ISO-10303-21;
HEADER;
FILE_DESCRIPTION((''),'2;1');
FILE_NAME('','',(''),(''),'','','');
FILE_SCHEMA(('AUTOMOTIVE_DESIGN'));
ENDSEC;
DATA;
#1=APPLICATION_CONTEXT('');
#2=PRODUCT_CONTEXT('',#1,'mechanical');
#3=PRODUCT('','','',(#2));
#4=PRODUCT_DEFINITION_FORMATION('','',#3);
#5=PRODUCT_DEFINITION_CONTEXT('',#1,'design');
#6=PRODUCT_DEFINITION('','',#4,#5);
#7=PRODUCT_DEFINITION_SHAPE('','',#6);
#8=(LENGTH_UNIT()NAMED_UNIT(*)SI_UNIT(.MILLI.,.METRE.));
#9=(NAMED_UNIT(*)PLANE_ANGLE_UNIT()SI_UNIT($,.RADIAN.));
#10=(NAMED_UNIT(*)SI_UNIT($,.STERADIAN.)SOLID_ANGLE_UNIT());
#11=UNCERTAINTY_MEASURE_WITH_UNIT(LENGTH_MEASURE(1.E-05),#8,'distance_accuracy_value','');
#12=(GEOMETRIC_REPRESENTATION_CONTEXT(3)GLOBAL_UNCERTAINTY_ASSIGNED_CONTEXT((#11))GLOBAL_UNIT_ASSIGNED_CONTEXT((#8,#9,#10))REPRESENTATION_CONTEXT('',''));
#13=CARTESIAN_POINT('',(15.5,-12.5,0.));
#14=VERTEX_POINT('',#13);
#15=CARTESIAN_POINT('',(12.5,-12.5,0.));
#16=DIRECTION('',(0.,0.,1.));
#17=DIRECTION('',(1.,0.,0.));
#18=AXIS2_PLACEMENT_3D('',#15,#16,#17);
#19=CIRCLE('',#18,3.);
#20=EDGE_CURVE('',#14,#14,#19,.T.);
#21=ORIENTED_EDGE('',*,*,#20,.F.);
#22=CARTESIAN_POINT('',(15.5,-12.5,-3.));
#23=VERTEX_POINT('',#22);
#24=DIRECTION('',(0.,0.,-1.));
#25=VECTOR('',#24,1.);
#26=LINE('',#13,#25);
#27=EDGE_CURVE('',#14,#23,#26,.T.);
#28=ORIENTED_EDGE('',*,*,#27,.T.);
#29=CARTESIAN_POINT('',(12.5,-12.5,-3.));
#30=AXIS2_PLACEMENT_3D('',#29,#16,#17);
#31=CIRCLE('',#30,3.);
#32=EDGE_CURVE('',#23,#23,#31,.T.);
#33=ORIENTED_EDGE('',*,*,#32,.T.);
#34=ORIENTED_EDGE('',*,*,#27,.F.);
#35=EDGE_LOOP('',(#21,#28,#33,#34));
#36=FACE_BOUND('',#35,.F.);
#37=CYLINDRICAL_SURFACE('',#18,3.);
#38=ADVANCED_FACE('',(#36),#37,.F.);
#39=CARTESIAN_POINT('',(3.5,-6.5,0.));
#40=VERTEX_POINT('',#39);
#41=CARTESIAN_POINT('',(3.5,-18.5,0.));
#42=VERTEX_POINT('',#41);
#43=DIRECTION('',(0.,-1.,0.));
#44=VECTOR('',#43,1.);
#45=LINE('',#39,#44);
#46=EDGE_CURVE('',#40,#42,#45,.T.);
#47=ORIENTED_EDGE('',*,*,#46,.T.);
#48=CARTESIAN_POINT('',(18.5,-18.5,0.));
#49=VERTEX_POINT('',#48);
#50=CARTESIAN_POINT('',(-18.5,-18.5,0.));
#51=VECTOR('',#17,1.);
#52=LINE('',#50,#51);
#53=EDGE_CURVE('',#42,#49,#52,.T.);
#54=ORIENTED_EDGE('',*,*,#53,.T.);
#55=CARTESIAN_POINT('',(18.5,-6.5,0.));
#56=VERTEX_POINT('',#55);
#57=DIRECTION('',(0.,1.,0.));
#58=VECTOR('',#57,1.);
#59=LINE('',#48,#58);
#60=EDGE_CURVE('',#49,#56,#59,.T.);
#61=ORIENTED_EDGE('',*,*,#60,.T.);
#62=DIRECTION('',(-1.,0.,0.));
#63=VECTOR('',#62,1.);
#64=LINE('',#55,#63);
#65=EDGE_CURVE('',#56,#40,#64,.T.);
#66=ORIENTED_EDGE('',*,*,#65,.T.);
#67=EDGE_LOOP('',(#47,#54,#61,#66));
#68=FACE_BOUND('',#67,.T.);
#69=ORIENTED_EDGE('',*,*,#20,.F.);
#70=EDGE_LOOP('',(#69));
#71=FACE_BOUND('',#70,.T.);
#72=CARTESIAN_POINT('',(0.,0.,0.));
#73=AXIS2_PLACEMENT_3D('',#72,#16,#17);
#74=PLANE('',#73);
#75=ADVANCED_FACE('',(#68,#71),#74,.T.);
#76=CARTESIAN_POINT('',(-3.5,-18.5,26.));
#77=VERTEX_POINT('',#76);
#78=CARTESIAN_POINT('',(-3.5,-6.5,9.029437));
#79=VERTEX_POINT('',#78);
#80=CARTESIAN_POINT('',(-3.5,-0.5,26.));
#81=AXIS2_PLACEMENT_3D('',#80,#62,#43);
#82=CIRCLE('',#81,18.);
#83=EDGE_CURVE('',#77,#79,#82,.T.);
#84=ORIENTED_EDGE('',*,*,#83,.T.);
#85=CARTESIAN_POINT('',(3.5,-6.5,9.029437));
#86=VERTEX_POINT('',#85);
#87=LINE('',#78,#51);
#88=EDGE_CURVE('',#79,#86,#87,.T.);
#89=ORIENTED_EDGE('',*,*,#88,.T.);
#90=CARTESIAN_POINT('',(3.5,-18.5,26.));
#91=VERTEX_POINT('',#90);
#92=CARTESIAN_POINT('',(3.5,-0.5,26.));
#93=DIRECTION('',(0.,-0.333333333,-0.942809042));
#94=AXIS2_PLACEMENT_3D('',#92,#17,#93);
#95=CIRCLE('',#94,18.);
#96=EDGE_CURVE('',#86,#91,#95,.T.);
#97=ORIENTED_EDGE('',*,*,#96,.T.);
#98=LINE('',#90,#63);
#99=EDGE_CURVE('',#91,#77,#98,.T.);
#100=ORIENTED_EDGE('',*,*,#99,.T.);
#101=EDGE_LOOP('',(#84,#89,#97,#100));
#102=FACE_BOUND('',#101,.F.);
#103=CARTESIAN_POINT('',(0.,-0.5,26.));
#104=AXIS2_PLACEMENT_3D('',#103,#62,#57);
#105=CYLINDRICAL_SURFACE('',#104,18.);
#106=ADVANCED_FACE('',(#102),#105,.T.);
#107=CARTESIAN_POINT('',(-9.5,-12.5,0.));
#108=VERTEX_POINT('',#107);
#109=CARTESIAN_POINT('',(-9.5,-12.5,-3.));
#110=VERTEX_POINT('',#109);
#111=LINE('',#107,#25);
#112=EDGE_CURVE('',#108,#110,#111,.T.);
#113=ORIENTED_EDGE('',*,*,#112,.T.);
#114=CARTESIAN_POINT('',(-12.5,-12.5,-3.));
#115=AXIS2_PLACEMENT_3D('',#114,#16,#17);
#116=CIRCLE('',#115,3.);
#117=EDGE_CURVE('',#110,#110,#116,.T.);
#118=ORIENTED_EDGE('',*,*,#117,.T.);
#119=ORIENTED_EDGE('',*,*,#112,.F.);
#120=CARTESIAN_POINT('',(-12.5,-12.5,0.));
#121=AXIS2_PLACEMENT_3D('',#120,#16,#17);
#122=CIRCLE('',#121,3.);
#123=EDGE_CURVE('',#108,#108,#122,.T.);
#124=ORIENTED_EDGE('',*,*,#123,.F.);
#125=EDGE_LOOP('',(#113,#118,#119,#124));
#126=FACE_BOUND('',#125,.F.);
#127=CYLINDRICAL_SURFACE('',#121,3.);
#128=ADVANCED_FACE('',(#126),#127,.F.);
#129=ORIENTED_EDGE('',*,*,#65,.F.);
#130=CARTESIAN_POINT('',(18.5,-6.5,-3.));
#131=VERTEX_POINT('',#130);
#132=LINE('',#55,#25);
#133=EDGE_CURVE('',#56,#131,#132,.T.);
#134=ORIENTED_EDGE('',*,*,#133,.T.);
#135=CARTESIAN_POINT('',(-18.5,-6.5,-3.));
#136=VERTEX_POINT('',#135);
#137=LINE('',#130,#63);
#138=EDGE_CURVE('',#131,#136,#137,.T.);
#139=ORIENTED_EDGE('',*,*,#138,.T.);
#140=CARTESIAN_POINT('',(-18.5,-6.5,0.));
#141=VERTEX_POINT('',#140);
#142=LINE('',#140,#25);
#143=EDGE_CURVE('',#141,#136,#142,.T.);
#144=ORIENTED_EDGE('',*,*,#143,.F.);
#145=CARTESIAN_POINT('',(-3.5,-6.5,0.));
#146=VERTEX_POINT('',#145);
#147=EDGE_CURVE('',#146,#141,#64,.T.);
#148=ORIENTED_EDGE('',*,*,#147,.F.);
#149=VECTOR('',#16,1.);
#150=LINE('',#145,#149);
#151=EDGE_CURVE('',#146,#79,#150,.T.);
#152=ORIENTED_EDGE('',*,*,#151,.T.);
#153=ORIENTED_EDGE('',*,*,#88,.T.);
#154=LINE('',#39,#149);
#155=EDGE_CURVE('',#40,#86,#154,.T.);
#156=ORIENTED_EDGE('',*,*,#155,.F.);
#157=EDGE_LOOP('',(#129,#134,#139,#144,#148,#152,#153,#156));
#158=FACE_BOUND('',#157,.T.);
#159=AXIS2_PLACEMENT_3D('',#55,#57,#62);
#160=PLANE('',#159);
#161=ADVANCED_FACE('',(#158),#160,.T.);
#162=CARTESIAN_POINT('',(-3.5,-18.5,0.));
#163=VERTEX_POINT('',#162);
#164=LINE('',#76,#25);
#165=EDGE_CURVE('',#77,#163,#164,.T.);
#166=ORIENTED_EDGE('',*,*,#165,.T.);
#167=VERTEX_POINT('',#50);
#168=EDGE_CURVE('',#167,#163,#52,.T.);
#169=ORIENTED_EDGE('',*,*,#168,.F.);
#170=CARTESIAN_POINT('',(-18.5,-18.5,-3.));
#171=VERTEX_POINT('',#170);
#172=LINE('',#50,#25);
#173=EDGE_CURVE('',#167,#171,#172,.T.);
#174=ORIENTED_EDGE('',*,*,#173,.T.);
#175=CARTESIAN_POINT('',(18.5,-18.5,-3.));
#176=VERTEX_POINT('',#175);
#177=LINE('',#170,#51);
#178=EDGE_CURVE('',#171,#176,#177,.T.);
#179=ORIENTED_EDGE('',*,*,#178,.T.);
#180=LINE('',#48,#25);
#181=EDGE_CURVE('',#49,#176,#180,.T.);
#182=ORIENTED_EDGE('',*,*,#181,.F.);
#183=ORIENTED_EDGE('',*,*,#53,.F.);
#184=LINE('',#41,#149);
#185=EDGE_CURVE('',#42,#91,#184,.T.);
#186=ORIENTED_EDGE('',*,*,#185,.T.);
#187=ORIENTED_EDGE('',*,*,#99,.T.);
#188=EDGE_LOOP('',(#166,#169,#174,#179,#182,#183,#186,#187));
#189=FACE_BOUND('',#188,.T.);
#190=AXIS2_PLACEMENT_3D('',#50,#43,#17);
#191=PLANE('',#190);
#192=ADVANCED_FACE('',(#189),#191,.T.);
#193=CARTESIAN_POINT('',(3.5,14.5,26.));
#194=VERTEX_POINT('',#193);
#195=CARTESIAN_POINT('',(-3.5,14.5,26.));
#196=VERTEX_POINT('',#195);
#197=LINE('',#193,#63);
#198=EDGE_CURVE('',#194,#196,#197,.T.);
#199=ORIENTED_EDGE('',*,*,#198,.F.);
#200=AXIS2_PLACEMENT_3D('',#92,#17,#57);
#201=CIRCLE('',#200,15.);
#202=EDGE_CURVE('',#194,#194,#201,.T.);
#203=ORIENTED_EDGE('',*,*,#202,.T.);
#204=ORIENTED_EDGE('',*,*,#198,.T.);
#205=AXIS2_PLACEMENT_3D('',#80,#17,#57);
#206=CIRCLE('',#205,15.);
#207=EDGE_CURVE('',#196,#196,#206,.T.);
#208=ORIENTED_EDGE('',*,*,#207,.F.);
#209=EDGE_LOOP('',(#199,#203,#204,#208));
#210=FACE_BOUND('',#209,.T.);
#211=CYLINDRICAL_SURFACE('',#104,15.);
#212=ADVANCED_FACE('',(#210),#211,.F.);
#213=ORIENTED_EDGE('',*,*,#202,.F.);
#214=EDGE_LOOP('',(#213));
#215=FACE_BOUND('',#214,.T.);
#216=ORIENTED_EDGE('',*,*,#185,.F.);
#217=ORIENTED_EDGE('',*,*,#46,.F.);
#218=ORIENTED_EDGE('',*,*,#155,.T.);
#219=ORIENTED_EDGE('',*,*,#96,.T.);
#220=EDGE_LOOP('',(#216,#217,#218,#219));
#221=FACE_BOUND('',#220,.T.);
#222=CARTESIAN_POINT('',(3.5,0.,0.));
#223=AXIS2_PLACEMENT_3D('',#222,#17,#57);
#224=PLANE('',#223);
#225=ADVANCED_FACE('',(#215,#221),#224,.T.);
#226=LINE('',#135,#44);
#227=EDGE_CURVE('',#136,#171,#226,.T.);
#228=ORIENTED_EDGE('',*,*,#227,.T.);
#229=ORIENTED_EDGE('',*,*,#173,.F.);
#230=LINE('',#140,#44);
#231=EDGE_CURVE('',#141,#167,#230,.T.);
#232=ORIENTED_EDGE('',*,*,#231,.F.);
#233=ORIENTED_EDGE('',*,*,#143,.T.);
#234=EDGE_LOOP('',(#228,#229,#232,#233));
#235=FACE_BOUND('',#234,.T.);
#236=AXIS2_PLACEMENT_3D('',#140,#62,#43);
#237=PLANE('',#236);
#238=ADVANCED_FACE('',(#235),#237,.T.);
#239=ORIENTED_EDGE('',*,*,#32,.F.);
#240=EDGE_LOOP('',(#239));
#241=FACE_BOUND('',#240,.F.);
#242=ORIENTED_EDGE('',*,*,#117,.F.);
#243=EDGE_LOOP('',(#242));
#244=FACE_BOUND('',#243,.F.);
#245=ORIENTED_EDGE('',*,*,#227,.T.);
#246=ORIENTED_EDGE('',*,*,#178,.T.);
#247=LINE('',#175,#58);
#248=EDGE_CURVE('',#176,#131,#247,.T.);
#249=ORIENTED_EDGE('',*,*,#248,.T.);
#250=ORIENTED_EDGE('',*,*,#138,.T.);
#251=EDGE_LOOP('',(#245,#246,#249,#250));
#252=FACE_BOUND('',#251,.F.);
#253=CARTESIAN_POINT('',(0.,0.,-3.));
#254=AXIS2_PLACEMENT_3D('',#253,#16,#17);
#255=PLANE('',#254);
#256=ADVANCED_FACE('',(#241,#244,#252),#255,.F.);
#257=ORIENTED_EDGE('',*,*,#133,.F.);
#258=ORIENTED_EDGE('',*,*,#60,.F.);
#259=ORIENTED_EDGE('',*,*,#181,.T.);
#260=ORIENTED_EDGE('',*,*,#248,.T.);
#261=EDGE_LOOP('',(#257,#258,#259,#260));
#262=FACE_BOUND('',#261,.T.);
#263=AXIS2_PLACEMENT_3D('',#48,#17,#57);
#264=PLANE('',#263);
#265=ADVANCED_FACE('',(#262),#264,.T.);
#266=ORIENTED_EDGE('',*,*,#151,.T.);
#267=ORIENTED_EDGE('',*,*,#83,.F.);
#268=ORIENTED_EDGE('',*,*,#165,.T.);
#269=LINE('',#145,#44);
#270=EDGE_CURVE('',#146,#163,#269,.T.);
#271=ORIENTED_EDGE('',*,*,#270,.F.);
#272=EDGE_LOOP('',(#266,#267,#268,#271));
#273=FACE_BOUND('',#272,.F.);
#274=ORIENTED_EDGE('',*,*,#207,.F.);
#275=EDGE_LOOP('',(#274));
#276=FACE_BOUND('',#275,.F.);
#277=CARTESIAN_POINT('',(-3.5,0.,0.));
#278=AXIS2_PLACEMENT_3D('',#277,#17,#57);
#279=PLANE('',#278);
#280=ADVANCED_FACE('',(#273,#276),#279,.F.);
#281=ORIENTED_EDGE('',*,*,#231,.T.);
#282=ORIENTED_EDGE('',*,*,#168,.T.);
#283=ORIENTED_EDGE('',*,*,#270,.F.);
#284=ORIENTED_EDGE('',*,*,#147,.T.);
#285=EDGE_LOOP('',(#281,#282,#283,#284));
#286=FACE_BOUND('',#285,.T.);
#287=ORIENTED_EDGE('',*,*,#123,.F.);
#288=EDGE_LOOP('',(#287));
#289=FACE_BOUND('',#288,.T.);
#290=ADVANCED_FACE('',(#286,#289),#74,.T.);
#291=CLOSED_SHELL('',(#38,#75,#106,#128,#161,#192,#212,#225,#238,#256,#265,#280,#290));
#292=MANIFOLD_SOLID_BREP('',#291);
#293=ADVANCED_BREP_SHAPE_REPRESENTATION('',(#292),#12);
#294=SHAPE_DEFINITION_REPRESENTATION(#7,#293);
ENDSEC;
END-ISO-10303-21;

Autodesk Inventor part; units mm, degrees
ref_plane "YZ Plane" through (0, 0, 0) normal (1, 0, 0) x (0, 1, 0)
ref_plane "XZ Plane" through (0, 0, 0) normal (0, 1, 0) x (-1, 0, 0)
sketch "Sketch1" plane through (0, 0, 0) normal (0, 0, 1) x (1, 0, 0)
  line L0 (-12.5, 12.5) -> (12.5, 12.5) construction
  line L1 (12.5, 12.5) -> (12.5, -12.5) construction
  line L2 (12.5, -12.5) -> (-12.5, -12.5) construction
  line L3 (-12.5, -12.5) -> (-12.5, 12.5) construction
  line L4 (-12.5, 12.5) -> (12.5, -12.5) construction
  line L5 (12.5, 12.5) -> (-12.5, -12.5) construction
  circle A0 centre (-12.5, 12.5) radius 3
  circle A1 centre (12.5, 12.5) radius 3
  circle A2 centre (12.5, -12.5) radius 3
  circle A3 centre (-12.5, -12.5) radius 3
  line L6 (-18.5, -18.5) -> (18.5, -18.5)
  line L7 (18.5, -18.5) -> (18.5, -6.5)
  line L8 (18.5, -6.5) -> (-18.5, -6.5)
  line L9 (-18.5, -6.5) -> (-18.5, -18.5)
  line L10 (-18.5, -18.5) -> (18.5, -6.5) construction
  line L11 (18.5, -18.5) -> (-18.5, -6.5) construction
  point P0 (0, 0)
  point P1 (0, -12.5)
  dimension "d0" = 25
  dimension "d1" = 25
  dimension "d2" = 6
  dimension "d3" = 6
  dimension "d4" = 6
  dimension "d5" = 6
  dimension "d38" = 37
  dimension "d39" = 12
extrude "Extrusion8" add sketch "Sketch1" against normal blind 3 contours L9 L8 L7 L6
ref_plane "Work Plane1" through (0, 0, 15) normal (0, 0, -1) x (-1, 0, 0)
sketch "Sketch4" plane through (0, 0, 0) normal (1, 0, 0) x (0, 1, 0)
  line L0 (-6.5, 0) -> (-18.5, 0) projected
  line L1 (-18.5, 0) -> (-6.5, 0)
  line L2 (-6.5, 0) -> (-6.5, 10)
  line L3 (-6.5, 10) -> (-18.5, 10)
  line L4 (-18.5, 10) -> (-18.5, 0)
  circle A0 centre (-0.5, 26) radius 15
  circle A1 centre (-0.5, 26) radius 18
  line L5 (-18.5, 10) -> (-18.5, 26)
  point P0 (-12.5, 10)
  point P1 (-18.5, 9.0294)
  point P2 (-6.5, 9.0294)
  dimension "d57" = 10
  dimension "d58" = 30
  dimension "d59" = 3
  dimension "d61" = 18
extrude "Extrusion9" add sketch "Sketch4" along normal mid plane 7
properties part number "syringe_mount"
